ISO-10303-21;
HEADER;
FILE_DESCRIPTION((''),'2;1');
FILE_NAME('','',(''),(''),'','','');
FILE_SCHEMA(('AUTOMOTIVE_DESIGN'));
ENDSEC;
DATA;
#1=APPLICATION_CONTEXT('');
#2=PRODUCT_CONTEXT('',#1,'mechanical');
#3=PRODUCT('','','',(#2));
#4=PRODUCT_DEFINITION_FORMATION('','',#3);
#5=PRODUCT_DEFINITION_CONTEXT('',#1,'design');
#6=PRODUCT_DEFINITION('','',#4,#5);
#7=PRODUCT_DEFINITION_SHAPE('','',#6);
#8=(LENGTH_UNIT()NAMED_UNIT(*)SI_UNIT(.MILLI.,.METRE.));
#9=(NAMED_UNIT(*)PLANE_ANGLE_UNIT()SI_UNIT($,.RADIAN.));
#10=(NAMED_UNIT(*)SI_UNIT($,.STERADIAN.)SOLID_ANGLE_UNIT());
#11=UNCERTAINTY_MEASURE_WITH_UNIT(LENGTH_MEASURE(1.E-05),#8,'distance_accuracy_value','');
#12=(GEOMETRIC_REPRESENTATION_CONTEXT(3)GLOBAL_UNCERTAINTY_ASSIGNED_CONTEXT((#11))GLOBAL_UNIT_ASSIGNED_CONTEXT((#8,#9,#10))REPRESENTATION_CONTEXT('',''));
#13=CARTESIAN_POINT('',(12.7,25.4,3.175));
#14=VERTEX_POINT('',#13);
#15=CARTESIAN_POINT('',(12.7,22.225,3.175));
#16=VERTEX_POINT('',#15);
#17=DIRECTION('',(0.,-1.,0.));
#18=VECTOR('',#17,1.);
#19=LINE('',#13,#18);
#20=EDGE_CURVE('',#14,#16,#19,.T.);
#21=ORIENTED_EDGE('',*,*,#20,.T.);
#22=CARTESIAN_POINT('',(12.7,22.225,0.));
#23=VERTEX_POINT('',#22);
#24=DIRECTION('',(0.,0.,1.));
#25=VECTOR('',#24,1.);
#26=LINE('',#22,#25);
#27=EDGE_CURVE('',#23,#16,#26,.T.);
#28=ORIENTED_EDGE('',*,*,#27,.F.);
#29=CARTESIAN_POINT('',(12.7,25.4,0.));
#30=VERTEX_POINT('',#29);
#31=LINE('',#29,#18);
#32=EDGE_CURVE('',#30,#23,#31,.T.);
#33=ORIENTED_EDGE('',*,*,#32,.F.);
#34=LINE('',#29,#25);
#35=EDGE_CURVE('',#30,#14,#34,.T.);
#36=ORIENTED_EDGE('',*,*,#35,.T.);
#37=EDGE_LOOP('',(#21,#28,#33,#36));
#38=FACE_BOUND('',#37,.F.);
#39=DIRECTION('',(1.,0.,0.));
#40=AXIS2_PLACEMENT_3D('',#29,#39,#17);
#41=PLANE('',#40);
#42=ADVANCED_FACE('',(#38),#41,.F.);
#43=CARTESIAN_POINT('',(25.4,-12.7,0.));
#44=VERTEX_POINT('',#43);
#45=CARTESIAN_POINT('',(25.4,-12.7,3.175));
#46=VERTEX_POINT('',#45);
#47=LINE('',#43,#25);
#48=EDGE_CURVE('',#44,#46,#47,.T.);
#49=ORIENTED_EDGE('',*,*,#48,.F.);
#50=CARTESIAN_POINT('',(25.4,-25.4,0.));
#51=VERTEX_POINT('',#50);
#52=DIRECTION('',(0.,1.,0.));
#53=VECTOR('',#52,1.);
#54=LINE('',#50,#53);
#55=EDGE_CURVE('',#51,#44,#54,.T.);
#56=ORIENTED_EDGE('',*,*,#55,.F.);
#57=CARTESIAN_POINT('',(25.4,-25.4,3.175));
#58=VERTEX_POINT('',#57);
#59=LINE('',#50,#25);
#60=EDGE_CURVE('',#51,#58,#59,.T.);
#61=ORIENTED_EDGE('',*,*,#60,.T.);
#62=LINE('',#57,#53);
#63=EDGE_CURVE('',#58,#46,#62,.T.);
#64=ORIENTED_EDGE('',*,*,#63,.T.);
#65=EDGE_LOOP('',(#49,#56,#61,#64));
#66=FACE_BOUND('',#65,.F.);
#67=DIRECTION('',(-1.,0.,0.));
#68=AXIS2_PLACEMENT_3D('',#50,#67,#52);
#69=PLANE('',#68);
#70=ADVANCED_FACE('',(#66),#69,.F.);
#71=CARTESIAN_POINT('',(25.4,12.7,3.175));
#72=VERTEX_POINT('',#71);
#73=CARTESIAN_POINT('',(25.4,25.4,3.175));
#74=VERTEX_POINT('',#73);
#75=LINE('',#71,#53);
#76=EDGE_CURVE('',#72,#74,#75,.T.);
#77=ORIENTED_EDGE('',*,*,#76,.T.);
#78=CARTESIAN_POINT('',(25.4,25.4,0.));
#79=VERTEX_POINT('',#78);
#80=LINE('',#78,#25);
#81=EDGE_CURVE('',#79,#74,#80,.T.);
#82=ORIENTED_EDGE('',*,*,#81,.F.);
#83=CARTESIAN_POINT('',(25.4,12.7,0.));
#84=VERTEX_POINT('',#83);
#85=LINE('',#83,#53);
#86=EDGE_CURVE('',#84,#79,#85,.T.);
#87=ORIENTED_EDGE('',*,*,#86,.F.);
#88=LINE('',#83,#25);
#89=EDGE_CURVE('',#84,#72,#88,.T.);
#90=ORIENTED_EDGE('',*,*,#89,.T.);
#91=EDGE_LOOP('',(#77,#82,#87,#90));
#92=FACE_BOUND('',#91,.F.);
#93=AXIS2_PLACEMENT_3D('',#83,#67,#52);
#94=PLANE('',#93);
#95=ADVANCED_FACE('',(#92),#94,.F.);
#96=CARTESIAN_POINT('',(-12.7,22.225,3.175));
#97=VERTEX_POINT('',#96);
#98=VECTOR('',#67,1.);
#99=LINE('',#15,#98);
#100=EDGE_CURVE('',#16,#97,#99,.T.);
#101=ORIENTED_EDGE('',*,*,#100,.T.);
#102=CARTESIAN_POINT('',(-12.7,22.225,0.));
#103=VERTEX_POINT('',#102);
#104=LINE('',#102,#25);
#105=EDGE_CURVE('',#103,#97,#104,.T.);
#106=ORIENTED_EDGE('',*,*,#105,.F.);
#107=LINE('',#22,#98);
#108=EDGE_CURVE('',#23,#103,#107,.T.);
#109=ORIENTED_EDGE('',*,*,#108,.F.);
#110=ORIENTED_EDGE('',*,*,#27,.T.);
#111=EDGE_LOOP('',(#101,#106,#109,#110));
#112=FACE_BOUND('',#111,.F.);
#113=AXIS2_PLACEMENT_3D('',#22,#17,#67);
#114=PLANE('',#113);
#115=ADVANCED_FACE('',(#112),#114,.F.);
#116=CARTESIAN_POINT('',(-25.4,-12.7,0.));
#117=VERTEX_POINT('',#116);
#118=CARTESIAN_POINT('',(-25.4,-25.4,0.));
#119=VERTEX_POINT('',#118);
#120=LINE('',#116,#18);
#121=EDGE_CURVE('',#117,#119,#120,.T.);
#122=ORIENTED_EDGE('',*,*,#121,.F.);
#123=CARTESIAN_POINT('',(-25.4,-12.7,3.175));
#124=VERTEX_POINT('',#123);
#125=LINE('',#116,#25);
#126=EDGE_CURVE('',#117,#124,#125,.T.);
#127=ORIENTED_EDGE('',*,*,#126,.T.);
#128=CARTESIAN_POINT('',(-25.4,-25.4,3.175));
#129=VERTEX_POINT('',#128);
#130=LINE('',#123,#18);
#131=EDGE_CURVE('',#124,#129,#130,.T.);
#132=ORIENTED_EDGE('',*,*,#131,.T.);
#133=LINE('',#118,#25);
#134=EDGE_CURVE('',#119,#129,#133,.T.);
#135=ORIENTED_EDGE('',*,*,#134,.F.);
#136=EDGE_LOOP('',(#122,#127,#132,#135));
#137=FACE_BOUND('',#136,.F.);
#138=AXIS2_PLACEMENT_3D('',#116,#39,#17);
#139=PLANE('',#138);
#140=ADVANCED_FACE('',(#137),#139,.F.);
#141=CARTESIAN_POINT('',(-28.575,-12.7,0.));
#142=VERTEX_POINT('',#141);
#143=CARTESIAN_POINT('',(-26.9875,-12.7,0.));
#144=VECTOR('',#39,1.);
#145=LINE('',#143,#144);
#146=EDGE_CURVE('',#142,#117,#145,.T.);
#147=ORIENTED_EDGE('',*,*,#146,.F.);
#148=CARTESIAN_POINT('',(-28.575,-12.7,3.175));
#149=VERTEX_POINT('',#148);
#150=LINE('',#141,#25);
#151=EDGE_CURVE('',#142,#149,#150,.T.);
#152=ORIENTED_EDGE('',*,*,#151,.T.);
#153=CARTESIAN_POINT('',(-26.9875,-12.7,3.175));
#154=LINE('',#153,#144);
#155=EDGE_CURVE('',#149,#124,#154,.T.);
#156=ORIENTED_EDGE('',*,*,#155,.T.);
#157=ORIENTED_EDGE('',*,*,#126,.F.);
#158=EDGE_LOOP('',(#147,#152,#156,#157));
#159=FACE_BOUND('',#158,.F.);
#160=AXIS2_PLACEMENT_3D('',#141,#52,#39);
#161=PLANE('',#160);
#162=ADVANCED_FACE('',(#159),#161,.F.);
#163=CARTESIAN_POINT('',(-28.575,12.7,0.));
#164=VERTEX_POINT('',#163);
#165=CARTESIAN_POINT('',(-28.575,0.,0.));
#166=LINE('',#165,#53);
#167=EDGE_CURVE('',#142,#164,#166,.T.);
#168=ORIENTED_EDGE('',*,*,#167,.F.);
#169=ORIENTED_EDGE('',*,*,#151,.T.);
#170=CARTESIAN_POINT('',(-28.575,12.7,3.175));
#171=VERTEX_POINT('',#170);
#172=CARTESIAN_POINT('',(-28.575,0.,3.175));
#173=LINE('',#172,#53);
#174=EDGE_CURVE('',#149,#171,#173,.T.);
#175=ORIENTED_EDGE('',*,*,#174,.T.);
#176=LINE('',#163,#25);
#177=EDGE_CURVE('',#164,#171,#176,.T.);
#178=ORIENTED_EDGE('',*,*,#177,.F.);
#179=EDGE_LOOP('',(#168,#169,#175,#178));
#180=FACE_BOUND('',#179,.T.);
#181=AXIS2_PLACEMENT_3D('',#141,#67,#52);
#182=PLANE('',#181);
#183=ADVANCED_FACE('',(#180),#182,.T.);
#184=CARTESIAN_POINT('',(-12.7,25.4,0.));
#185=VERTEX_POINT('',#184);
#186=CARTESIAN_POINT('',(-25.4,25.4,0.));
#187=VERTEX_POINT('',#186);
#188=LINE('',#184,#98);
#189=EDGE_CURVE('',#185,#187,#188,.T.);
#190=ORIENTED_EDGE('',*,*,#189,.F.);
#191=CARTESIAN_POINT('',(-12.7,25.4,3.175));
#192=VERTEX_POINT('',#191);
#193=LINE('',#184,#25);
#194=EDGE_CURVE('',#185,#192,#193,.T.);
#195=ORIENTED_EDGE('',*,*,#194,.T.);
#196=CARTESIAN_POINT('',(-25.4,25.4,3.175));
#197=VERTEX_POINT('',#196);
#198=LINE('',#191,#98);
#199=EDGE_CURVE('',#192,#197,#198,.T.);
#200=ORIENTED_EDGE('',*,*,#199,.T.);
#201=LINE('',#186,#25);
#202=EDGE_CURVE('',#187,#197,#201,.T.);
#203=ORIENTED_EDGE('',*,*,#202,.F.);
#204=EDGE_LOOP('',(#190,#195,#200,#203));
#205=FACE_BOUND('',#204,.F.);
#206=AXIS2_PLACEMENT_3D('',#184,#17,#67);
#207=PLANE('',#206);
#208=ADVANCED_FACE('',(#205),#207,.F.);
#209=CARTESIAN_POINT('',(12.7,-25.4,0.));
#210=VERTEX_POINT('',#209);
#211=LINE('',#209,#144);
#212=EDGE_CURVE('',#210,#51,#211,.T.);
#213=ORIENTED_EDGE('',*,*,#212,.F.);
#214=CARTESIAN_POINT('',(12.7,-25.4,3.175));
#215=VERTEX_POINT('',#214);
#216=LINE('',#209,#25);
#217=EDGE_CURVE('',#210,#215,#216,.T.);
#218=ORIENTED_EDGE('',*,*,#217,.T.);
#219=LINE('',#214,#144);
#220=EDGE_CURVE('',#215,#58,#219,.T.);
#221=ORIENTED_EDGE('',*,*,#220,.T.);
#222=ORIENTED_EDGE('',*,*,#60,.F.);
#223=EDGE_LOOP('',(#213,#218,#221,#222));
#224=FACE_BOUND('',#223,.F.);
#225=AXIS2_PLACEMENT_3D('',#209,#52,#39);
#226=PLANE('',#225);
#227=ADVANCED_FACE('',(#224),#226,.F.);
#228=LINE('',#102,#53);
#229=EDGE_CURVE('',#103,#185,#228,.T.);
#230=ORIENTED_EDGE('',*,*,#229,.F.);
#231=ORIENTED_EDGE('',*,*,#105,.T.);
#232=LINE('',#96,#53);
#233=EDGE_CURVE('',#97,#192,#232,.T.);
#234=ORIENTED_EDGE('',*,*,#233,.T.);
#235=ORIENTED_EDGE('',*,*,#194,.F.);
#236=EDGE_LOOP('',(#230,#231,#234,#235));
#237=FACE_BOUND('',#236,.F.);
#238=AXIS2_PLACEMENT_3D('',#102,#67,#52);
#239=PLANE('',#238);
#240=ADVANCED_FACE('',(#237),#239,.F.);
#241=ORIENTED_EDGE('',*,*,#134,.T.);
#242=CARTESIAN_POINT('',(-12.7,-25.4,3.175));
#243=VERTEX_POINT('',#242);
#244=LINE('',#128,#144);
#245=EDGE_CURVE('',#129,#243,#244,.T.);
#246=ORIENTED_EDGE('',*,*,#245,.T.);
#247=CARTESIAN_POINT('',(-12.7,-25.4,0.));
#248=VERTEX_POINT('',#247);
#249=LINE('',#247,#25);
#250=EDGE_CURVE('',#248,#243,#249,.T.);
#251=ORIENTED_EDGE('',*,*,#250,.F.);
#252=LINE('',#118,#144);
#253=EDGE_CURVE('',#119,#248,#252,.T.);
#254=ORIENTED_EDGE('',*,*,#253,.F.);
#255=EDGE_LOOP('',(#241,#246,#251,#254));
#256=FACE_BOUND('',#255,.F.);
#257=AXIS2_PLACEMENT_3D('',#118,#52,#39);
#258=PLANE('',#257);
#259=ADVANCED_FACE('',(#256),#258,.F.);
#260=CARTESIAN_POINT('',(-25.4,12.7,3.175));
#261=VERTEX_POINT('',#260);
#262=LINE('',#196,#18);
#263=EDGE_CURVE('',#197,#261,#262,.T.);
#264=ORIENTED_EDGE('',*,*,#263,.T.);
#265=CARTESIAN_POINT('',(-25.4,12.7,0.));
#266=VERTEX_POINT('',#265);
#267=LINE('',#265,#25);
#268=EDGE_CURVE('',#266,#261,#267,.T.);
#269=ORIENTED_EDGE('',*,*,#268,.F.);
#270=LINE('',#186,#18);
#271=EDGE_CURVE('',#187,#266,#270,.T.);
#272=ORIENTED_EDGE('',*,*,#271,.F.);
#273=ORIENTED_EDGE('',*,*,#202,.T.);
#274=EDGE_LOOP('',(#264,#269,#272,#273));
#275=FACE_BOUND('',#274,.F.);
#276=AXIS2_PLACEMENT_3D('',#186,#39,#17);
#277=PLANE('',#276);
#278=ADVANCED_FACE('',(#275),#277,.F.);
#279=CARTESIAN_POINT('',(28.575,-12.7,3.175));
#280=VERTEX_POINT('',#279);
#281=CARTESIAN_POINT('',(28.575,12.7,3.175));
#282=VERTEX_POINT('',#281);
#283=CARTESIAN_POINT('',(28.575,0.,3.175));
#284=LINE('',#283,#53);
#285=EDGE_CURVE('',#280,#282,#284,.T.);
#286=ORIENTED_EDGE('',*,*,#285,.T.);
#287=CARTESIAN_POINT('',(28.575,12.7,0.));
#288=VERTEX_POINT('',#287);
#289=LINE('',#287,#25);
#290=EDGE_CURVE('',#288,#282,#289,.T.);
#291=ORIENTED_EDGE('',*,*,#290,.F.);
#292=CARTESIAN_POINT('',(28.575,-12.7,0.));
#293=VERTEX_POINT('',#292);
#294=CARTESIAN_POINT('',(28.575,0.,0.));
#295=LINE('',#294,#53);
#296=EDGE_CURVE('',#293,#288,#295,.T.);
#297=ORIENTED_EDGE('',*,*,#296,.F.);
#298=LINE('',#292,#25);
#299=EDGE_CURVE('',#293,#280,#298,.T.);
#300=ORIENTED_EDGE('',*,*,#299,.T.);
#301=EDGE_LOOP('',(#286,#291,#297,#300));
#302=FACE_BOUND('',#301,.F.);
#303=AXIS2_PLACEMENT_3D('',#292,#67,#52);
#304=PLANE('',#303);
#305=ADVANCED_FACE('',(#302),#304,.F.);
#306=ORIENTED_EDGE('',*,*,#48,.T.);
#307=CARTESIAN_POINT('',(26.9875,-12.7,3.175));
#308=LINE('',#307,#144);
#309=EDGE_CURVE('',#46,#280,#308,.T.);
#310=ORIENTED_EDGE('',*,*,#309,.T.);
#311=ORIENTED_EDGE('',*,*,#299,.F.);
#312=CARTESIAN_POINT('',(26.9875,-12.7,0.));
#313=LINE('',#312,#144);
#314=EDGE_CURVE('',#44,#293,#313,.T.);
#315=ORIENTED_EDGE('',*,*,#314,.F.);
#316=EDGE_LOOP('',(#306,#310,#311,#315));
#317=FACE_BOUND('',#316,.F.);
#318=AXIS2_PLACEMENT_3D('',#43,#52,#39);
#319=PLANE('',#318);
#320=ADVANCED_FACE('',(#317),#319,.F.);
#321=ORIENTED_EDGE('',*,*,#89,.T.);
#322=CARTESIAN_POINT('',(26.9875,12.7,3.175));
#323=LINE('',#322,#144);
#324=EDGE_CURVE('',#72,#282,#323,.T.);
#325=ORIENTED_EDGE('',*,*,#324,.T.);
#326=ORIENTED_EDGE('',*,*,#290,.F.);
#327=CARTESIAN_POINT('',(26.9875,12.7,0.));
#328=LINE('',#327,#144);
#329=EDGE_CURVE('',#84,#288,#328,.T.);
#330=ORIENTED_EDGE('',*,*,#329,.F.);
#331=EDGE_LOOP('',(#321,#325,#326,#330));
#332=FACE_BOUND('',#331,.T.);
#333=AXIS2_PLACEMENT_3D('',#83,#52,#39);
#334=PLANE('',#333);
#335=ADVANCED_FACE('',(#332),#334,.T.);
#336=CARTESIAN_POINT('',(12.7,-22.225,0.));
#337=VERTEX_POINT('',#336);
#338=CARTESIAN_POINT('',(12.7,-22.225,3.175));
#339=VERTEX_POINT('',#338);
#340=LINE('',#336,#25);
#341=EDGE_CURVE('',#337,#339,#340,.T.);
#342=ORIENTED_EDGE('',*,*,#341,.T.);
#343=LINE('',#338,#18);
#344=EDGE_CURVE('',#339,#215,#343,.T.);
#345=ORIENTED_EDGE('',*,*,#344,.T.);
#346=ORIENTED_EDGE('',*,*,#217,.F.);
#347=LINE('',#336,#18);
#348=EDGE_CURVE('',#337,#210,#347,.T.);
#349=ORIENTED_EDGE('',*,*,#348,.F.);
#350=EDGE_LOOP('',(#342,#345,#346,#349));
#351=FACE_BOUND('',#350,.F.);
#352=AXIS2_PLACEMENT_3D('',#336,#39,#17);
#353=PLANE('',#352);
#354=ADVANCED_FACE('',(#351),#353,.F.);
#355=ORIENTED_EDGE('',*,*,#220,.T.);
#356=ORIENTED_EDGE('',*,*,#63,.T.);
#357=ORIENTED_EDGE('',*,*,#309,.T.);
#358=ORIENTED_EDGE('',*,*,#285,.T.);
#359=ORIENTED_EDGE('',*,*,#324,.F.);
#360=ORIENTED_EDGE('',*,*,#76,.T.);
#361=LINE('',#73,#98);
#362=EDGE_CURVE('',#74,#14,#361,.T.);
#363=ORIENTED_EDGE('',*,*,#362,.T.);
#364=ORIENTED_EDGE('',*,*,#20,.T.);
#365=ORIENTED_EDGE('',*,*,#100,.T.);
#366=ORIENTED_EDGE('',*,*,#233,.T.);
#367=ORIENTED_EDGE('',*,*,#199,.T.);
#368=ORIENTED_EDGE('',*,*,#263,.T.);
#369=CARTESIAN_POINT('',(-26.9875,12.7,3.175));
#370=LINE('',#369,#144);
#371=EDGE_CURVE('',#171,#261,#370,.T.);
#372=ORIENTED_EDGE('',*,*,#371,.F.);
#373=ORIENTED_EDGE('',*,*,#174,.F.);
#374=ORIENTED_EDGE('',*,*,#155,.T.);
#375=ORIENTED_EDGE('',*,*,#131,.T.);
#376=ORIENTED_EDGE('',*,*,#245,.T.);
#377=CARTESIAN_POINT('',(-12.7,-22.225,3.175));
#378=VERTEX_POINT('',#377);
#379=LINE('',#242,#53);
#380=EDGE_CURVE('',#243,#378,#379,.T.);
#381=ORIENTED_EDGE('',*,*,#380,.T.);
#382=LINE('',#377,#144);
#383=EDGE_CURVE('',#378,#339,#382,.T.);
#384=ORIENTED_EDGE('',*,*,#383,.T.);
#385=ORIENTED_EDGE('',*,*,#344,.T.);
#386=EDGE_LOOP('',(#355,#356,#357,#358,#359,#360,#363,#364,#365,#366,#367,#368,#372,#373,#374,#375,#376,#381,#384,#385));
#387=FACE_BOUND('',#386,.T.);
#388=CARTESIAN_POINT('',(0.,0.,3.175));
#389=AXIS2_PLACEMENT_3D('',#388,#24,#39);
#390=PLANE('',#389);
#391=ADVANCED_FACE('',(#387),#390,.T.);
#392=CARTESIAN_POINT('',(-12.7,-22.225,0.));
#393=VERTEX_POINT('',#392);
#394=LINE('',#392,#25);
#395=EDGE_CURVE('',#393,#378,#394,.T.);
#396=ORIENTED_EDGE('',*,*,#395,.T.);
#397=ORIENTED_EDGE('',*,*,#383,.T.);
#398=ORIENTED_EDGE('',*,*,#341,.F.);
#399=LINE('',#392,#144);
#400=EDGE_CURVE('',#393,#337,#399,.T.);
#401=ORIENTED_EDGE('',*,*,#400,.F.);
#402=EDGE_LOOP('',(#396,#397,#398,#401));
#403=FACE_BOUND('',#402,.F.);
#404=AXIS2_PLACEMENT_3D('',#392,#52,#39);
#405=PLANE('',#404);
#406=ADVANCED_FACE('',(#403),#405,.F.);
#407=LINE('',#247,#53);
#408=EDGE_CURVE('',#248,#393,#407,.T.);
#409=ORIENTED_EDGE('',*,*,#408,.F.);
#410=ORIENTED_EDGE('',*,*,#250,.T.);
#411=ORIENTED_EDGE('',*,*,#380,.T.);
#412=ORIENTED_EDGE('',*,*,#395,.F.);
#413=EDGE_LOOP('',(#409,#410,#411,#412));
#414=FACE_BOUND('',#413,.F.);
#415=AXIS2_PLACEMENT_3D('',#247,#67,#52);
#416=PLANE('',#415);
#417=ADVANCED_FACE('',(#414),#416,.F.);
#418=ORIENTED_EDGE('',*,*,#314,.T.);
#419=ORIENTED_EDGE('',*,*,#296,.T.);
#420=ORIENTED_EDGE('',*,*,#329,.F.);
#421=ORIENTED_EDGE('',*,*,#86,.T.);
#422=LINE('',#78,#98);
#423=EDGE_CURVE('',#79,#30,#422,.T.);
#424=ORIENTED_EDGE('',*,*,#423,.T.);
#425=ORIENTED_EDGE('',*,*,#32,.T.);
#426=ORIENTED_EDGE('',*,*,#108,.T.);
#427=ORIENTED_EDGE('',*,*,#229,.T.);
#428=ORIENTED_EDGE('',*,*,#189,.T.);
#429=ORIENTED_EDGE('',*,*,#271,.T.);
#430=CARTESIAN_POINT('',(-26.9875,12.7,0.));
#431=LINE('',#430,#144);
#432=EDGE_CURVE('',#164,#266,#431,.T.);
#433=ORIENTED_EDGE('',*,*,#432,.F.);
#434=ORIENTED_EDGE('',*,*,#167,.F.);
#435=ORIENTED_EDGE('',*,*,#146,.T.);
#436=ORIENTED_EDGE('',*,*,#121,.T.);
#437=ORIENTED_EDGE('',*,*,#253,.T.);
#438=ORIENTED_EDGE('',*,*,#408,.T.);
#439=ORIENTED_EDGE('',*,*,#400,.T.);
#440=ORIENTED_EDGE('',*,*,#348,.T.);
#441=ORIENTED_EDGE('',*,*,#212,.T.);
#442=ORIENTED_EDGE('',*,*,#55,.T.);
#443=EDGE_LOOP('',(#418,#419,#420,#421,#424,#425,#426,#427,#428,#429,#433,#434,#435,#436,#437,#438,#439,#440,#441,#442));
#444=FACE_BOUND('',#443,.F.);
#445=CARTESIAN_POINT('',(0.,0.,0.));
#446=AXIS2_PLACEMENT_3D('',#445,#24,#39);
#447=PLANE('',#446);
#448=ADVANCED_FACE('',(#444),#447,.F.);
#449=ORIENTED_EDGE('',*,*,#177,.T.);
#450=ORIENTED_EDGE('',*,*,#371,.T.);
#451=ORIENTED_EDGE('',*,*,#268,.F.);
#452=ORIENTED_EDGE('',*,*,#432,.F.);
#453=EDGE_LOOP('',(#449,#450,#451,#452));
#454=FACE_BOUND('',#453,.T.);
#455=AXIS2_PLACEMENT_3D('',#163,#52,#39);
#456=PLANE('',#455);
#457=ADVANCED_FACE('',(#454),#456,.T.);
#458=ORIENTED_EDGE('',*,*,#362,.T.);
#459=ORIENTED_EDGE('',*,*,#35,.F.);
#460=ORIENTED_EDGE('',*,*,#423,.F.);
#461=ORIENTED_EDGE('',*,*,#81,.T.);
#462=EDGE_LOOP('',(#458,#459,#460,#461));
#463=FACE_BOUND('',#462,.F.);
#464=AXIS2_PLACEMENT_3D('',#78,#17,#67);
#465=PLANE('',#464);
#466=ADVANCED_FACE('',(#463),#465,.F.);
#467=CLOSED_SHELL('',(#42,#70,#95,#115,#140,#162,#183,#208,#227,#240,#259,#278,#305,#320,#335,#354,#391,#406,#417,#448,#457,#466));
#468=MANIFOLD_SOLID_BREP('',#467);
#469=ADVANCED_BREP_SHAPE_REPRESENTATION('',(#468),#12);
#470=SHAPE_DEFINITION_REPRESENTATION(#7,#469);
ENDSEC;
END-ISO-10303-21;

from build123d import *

# Parameters (mm, degrees)
F0_W     = 3.175
F0_H     = 25.4
F1_DEPTH = 3.175


with BuildPart() as f1:
    # F0 (on Top) → F1 (new body)
    with BuildSketch(Plane.XY):
        Polygon((25.4, 12.7), (25.4, 25.4), (12.7, 25.4), (12.7, 22.225), (-12.7, 22.225), (-12.7, 25.4), (-25.4, 25.4), (-25.4, 12.7), (-22.225, 12.7), (-22.225, -12.7), (-25.4, -12.7), (-25.4, -25.4), (-12.7, -25.4), (-12.7, -22.225), (12.7, -22.225), (12.7, -25.4), (25.4, -25.4), (25.4, -12.7), (22.225, -12.7), (22.225, 12.7), align=None)
        with Locations((-26.9875, 0)):
            Rectangle(F0_W, F0_H)
        with Locations((-23.8125, 0)):
            Rectangle(F0_W, F0_H)
        with Locations((26.9875, 0)):
            Rectangle(F0_W, F0_H)
        with Locations((23.8125, 0)):
            Rectangle(F0_W, F0_H)
    extrude(amount=F1_DEPTH)


solid = f1.part
